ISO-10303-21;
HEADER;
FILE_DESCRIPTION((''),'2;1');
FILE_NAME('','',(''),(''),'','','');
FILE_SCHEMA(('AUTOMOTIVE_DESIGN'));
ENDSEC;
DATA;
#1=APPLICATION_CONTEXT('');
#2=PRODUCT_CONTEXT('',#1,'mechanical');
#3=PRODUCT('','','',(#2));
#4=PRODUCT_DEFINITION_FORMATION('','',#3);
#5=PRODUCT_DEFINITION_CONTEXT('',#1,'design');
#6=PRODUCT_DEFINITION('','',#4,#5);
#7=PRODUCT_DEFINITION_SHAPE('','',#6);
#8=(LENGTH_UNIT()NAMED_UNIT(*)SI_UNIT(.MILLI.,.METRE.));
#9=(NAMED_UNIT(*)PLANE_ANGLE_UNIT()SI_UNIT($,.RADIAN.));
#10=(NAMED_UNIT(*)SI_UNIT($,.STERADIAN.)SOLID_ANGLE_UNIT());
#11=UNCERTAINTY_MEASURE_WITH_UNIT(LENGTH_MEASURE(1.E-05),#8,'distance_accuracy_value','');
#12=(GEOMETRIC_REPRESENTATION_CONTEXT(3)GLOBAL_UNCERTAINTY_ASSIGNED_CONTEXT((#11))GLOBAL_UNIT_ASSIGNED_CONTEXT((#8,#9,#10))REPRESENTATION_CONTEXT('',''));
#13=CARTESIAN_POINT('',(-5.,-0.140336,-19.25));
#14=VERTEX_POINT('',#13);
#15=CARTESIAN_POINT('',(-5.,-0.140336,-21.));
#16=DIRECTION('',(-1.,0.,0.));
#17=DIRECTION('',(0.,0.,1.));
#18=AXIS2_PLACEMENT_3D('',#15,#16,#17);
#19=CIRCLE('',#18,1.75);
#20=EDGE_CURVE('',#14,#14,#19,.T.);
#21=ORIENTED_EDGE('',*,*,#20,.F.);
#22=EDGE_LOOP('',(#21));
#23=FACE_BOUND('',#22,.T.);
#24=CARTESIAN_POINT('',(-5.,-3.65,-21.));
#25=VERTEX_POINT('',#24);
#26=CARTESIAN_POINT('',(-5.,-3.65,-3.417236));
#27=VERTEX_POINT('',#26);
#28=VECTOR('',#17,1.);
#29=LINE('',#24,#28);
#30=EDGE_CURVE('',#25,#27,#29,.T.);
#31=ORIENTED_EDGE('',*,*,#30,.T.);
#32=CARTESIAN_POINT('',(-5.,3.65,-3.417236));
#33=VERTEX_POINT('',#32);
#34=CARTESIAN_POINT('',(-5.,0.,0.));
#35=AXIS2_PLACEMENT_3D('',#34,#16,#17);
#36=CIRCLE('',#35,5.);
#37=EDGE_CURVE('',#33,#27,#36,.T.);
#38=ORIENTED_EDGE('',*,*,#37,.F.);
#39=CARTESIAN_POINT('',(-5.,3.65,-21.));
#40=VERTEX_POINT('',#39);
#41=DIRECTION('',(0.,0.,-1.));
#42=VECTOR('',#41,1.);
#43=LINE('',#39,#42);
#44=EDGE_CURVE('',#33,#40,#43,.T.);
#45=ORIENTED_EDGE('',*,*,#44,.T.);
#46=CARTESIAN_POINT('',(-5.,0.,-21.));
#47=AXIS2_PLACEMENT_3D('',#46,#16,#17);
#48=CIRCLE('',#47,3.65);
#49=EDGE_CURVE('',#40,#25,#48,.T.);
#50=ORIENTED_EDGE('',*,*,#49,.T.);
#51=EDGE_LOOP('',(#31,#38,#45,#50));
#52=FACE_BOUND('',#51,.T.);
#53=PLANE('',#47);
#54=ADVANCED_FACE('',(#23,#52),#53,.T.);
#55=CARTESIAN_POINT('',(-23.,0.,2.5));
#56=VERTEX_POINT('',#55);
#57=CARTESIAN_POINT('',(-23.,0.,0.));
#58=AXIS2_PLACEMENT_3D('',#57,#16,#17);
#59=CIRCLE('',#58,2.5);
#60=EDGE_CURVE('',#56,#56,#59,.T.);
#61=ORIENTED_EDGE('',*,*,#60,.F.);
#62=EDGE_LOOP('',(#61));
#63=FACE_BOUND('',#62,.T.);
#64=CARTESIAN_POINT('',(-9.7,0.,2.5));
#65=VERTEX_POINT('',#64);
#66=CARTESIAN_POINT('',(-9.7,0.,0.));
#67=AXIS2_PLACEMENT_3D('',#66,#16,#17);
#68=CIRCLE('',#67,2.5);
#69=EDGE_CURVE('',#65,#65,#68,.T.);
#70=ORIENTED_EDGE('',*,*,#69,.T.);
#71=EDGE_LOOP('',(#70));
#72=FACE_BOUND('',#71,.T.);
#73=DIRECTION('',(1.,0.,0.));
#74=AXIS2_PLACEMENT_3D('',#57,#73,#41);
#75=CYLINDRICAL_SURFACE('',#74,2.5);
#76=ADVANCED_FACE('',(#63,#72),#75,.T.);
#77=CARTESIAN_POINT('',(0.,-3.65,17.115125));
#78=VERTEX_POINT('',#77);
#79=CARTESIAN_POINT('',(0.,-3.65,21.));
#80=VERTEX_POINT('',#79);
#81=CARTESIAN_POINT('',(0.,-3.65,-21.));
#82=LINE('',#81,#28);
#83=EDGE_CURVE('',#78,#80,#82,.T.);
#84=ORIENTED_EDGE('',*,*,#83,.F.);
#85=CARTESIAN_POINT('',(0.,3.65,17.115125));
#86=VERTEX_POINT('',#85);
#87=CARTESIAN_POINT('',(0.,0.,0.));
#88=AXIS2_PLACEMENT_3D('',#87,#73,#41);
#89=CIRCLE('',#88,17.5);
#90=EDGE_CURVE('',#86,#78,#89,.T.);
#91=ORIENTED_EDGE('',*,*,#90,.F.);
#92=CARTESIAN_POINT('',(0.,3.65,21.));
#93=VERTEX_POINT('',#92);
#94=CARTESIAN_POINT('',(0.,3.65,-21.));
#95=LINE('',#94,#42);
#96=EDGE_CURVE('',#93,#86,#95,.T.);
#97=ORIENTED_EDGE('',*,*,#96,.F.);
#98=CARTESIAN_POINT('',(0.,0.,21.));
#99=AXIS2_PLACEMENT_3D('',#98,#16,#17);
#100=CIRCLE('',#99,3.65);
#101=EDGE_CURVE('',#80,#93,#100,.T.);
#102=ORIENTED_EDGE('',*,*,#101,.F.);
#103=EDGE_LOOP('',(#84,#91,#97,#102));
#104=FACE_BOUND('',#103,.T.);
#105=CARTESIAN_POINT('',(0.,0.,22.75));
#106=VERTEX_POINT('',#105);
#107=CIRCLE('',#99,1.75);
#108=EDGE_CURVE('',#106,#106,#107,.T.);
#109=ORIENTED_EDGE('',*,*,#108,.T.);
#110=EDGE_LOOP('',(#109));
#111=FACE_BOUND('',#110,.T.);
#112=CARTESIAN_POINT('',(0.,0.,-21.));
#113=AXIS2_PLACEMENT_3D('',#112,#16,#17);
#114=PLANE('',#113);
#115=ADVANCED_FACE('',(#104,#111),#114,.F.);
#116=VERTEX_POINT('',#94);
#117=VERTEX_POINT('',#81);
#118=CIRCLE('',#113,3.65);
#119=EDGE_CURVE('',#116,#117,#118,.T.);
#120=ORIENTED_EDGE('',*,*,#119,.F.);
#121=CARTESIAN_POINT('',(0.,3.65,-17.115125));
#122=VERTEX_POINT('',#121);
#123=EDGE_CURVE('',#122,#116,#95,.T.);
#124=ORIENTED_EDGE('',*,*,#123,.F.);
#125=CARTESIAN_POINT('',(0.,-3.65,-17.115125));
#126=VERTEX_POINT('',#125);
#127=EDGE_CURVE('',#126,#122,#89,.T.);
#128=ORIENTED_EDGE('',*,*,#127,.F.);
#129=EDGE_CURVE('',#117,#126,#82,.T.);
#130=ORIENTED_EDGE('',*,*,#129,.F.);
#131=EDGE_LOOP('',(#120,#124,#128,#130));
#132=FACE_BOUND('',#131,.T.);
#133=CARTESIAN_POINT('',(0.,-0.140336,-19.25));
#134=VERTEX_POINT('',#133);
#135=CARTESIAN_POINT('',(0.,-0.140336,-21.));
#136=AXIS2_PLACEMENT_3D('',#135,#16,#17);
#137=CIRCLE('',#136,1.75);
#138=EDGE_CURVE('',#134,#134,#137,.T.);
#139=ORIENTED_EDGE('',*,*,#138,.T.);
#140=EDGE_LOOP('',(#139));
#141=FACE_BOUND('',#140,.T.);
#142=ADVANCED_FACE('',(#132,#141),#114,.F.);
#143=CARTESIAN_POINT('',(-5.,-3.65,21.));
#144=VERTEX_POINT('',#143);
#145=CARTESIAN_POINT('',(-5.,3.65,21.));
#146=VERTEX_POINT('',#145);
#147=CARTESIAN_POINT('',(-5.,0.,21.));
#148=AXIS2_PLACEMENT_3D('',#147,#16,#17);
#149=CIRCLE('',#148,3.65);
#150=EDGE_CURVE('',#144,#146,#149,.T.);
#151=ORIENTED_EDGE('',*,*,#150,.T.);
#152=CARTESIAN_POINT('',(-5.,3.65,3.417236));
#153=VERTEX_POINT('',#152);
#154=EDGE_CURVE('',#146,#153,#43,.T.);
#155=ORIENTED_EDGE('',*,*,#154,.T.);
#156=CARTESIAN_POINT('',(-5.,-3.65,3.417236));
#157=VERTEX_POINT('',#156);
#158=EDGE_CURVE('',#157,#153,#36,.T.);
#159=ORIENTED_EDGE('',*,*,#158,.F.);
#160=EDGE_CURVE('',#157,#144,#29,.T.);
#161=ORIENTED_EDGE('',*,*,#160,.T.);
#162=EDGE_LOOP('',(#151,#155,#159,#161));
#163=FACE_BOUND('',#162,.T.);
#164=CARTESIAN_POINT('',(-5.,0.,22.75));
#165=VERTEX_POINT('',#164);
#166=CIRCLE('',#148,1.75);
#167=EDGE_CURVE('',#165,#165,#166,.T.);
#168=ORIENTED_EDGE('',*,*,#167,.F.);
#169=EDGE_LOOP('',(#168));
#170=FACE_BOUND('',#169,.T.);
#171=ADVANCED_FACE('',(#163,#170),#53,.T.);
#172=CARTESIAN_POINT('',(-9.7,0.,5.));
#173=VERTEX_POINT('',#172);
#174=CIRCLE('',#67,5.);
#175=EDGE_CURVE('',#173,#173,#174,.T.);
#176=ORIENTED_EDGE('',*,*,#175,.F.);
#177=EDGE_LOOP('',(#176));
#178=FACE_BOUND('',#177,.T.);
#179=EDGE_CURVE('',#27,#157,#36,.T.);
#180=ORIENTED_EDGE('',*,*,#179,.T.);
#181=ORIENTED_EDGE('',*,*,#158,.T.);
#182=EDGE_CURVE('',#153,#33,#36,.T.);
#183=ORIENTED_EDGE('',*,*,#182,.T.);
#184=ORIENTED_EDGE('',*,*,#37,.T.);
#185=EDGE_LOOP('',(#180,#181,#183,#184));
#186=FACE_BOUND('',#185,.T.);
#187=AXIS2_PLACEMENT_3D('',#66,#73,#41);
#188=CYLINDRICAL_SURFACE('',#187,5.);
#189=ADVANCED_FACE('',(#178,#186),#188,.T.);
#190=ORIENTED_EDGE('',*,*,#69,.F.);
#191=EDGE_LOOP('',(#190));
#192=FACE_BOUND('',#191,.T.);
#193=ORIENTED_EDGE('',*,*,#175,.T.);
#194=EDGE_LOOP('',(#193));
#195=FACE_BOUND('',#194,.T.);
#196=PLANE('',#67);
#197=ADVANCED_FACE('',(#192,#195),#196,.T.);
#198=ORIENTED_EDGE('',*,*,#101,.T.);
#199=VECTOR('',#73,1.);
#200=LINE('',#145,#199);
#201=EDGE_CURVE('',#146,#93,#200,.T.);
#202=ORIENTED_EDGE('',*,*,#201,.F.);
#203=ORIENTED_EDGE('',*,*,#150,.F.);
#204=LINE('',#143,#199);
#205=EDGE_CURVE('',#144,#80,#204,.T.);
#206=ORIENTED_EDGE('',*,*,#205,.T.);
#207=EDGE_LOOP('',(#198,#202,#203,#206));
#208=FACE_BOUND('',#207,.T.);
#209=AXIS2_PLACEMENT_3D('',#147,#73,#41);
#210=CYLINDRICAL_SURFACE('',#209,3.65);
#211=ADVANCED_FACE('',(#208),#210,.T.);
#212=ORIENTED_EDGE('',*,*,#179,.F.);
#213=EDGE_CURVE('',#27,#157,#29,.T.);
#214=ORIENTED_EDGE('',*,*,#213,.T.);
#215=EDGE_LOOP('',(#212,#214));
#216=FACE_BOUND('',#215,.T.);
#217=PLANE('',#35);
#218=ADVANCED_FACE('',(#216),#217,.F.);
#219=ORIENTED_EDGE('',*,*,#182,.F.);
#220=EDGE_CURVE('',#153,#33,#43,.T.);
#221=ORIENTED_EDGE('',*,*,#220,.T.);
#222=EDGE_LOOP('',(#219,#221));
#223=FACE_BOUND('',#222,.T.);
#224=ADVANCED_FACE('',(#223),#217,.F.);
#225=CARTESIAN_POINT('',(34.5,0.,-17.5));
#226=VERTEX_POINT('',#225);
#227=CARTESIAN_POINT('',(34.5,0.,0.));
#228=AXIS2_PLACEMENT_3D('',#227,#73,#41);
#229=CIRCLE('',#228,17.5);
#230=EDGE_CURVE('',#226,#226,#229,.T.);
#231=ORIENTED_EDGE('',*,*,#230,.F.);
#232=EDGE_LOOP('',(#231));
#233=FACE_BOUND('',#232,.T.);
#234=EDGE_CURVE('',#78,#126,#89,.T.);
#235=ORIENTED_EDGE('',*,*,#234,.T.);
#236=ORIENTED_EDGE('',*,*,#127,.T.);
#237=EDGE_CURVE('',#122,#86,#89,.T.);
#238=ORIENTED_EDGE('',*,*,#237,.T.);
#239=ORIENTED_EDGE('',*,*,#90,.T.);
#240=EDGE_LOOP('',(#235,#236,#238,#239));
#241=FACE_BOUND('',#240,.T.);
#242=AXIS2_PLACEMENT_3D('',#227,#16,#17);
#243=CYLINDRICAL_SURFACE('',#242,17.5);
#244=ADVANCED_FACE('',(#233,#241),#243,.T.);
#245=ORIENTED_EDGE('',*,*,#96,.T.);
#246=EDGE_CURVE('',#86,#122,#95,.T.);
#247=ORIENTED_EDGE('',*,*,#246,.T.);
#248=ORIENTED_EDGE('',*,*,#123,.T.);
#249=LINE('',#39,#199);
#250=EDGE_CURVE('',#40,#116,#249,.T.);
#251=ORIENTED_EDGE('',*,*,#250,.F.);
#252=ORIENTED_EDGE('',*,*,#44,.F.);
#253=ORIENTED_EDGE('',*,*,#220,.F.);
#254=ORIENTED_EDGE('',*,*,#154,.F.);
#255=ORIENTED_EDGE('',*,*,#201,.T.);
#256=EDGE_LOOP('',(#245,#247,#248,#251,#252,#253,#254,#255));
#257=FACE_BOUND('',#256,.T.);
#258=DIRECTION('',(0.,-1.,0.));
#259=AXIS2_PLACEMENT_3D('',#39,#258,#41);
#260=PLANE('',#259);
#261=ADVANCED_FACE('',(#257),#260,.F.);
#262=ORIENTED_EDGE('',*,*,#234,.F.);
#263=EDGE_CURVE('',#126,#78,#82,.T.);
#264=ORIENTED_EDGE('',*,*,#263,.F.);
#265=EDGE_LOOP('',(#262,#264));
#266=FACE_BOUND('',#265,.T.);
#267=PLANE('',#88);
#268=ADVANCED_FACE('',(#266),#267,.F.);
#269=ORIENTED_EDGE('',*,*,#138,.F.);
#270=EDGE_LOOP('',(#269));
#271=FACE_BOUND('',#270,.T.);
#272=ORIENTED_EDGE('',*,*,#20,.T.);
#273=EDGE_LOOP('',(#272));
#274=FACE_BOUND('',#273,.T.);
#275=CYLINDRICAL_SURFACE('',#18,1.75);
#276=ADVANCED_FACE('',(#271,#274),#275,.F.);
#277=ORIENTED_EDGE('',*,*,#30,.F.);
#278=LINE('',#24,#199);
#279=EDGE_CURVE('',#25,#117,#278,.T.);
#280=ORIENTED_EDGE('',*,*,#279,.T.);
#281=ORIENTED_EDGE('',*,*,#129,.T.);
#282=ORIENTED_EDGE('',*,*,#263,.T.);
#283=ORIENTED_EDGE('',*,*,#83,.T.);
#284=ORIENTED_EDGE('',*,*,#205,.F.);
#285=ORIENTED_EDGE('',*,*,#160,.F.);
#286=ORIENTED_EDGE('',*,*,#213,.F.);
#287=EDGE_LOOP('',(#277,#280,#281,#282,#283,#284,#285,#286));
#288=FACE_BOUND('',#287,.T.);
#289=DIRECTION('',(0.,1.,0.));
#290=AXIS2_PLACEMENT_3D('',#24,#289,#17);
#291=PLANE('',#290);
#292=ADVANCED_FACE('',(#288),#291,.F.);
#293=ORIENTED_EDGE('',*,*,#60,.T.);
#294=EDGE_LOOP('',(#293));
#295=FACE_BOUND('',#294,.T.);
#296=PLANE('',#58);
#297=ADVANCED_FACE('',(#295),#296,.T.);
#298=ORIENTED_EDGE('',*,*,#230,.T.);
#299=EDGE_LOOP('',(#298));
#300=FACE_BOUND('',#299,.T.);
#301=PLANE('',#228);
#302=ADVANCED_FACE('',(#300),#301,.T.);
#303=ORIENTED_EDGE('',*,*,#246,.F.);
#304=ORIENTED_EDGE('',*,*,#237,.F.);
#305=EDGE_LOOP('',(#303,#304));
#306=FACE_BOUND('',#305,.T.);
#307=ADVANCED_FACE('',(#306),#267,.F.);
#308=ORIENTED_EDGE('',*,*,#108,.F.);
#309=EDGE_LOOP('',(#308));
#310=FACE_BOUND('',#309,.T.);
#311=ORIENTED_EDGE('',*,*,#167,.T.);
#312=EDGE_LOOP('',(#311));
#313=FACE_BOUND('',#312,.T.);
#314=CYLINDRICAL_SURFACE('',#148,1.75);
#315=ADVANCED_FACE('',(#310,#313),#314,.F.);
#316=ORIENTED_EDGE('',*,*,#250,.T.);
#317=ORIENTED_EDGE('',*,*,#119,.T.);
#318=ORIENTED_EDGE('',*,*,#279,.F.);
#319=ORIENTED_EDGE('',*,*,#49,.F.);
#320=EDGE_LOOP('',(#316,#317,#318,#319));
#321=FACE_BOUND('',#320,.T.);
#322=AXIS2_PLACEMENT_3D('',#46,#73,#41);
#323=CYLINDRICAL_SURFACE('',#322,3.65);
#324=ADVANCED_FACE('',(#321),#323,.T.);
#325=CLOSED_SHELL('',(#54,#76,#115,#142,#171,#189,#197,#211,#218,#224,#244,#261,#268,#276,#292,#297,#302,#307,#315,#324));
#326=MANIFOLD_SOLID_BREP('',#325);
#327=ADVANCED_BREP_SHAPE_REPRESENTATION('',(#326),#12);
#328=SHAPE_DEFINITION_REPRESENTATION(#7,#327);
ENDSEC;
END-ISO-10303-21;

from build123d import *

# Parameters (mm, degrees)
SKETCH1_R                      = 17.5
BOSS_EXTRUDE1_DEPTH            = 34.5
BOSS_EXTRUDE2_DEPTH            = 5
F_3_5_3_5_DIAMETER_HOLE1_D     = 3.5
F_3_5_3_5_DIAMETER_HOLE1_DEPTH = 70
F_3_5_3_5_DIAMETER_HOLE1_TIP   = 1.051506083
SKETCH5_R                      = 5
BOSS_EXTRUDE3_DEPTH            = 4.7
SKETCH6_R                      = 2.5
BOSS_EXTRUDE4_DEPTH            = 13.3


with BuildPart() as part:
    # Sketch1 → Boss-Extrude1 (new body)
    with BuildSketch(Plane(origin=(0, 0, 0), x_dir=(0, 0, -1), z_dir=(1, 0, 0))):
        Circle(SKETCH1_R)
    extrude(amount=BOSS_EXTRUDE1_DEPTH)

    # Sketch2 → Boss-Extrude2 (add)
    with BuildSketch(Plane.ZY):
        with BuildLine():
            Line((-21, 3.65), (21, 3.65))
            ThreePointArc((21, 3.65), (24.65, 0), (21, -3.65))
            Line((21, -3.65), (-21, -3.65))
            ThreePointArc((-21, -3.65), (-24.65, 0), (-21, 3.65))
        make_face()
    extrude(amount=BOSS_EXTRUDE2_DEPTH)

    # Ø3.5 (3.5) Diameter Hole1
    with Locations(Plane.ZY.offset(5)):
        with Locations((-21, -0.140336266), (21, 0)):
            Hole(F_3_5_3_5_DIAMETER_HOLE1_D / 2, depth=F_3_5_3_5_DIAMETER_HOLE1_DEPTH)
            with Locations((0, 0, -(F_3_5_3_5_DIAMETER_HOLE1_DEPTH + F_3_5_3_5_DIAMETER_HOLE1_TIP / 2))):  # 118° drill point
                Cone(0, F_3_5_3_5_DIAMETER_HOLE1_D / 2, F_3_5_3_5_DIAMETER_HOLE1_TIP, mode=Mode.SUBTRACT)

    # Sketch5 → Boss-Extrude3 (add)
    with BuildSketch(Plane.ZY.offset(5)):
        with Locations(Location((0, 0, 0), (0, 0, 226.886394054))):
            Circle(SKETCH5_R)
    extrude(amount=BOSS_EXTRUDE3_DEPTH)

    # Sketch6 → Boss-Extrude4 (add)
    with BuildSketch(Plane.ZY.offset(9.7)):
        Circle(SKETCH6_R)
    extrude(amount=BOSS_EXTRUDE4_DEPTH)


solid = part.part
